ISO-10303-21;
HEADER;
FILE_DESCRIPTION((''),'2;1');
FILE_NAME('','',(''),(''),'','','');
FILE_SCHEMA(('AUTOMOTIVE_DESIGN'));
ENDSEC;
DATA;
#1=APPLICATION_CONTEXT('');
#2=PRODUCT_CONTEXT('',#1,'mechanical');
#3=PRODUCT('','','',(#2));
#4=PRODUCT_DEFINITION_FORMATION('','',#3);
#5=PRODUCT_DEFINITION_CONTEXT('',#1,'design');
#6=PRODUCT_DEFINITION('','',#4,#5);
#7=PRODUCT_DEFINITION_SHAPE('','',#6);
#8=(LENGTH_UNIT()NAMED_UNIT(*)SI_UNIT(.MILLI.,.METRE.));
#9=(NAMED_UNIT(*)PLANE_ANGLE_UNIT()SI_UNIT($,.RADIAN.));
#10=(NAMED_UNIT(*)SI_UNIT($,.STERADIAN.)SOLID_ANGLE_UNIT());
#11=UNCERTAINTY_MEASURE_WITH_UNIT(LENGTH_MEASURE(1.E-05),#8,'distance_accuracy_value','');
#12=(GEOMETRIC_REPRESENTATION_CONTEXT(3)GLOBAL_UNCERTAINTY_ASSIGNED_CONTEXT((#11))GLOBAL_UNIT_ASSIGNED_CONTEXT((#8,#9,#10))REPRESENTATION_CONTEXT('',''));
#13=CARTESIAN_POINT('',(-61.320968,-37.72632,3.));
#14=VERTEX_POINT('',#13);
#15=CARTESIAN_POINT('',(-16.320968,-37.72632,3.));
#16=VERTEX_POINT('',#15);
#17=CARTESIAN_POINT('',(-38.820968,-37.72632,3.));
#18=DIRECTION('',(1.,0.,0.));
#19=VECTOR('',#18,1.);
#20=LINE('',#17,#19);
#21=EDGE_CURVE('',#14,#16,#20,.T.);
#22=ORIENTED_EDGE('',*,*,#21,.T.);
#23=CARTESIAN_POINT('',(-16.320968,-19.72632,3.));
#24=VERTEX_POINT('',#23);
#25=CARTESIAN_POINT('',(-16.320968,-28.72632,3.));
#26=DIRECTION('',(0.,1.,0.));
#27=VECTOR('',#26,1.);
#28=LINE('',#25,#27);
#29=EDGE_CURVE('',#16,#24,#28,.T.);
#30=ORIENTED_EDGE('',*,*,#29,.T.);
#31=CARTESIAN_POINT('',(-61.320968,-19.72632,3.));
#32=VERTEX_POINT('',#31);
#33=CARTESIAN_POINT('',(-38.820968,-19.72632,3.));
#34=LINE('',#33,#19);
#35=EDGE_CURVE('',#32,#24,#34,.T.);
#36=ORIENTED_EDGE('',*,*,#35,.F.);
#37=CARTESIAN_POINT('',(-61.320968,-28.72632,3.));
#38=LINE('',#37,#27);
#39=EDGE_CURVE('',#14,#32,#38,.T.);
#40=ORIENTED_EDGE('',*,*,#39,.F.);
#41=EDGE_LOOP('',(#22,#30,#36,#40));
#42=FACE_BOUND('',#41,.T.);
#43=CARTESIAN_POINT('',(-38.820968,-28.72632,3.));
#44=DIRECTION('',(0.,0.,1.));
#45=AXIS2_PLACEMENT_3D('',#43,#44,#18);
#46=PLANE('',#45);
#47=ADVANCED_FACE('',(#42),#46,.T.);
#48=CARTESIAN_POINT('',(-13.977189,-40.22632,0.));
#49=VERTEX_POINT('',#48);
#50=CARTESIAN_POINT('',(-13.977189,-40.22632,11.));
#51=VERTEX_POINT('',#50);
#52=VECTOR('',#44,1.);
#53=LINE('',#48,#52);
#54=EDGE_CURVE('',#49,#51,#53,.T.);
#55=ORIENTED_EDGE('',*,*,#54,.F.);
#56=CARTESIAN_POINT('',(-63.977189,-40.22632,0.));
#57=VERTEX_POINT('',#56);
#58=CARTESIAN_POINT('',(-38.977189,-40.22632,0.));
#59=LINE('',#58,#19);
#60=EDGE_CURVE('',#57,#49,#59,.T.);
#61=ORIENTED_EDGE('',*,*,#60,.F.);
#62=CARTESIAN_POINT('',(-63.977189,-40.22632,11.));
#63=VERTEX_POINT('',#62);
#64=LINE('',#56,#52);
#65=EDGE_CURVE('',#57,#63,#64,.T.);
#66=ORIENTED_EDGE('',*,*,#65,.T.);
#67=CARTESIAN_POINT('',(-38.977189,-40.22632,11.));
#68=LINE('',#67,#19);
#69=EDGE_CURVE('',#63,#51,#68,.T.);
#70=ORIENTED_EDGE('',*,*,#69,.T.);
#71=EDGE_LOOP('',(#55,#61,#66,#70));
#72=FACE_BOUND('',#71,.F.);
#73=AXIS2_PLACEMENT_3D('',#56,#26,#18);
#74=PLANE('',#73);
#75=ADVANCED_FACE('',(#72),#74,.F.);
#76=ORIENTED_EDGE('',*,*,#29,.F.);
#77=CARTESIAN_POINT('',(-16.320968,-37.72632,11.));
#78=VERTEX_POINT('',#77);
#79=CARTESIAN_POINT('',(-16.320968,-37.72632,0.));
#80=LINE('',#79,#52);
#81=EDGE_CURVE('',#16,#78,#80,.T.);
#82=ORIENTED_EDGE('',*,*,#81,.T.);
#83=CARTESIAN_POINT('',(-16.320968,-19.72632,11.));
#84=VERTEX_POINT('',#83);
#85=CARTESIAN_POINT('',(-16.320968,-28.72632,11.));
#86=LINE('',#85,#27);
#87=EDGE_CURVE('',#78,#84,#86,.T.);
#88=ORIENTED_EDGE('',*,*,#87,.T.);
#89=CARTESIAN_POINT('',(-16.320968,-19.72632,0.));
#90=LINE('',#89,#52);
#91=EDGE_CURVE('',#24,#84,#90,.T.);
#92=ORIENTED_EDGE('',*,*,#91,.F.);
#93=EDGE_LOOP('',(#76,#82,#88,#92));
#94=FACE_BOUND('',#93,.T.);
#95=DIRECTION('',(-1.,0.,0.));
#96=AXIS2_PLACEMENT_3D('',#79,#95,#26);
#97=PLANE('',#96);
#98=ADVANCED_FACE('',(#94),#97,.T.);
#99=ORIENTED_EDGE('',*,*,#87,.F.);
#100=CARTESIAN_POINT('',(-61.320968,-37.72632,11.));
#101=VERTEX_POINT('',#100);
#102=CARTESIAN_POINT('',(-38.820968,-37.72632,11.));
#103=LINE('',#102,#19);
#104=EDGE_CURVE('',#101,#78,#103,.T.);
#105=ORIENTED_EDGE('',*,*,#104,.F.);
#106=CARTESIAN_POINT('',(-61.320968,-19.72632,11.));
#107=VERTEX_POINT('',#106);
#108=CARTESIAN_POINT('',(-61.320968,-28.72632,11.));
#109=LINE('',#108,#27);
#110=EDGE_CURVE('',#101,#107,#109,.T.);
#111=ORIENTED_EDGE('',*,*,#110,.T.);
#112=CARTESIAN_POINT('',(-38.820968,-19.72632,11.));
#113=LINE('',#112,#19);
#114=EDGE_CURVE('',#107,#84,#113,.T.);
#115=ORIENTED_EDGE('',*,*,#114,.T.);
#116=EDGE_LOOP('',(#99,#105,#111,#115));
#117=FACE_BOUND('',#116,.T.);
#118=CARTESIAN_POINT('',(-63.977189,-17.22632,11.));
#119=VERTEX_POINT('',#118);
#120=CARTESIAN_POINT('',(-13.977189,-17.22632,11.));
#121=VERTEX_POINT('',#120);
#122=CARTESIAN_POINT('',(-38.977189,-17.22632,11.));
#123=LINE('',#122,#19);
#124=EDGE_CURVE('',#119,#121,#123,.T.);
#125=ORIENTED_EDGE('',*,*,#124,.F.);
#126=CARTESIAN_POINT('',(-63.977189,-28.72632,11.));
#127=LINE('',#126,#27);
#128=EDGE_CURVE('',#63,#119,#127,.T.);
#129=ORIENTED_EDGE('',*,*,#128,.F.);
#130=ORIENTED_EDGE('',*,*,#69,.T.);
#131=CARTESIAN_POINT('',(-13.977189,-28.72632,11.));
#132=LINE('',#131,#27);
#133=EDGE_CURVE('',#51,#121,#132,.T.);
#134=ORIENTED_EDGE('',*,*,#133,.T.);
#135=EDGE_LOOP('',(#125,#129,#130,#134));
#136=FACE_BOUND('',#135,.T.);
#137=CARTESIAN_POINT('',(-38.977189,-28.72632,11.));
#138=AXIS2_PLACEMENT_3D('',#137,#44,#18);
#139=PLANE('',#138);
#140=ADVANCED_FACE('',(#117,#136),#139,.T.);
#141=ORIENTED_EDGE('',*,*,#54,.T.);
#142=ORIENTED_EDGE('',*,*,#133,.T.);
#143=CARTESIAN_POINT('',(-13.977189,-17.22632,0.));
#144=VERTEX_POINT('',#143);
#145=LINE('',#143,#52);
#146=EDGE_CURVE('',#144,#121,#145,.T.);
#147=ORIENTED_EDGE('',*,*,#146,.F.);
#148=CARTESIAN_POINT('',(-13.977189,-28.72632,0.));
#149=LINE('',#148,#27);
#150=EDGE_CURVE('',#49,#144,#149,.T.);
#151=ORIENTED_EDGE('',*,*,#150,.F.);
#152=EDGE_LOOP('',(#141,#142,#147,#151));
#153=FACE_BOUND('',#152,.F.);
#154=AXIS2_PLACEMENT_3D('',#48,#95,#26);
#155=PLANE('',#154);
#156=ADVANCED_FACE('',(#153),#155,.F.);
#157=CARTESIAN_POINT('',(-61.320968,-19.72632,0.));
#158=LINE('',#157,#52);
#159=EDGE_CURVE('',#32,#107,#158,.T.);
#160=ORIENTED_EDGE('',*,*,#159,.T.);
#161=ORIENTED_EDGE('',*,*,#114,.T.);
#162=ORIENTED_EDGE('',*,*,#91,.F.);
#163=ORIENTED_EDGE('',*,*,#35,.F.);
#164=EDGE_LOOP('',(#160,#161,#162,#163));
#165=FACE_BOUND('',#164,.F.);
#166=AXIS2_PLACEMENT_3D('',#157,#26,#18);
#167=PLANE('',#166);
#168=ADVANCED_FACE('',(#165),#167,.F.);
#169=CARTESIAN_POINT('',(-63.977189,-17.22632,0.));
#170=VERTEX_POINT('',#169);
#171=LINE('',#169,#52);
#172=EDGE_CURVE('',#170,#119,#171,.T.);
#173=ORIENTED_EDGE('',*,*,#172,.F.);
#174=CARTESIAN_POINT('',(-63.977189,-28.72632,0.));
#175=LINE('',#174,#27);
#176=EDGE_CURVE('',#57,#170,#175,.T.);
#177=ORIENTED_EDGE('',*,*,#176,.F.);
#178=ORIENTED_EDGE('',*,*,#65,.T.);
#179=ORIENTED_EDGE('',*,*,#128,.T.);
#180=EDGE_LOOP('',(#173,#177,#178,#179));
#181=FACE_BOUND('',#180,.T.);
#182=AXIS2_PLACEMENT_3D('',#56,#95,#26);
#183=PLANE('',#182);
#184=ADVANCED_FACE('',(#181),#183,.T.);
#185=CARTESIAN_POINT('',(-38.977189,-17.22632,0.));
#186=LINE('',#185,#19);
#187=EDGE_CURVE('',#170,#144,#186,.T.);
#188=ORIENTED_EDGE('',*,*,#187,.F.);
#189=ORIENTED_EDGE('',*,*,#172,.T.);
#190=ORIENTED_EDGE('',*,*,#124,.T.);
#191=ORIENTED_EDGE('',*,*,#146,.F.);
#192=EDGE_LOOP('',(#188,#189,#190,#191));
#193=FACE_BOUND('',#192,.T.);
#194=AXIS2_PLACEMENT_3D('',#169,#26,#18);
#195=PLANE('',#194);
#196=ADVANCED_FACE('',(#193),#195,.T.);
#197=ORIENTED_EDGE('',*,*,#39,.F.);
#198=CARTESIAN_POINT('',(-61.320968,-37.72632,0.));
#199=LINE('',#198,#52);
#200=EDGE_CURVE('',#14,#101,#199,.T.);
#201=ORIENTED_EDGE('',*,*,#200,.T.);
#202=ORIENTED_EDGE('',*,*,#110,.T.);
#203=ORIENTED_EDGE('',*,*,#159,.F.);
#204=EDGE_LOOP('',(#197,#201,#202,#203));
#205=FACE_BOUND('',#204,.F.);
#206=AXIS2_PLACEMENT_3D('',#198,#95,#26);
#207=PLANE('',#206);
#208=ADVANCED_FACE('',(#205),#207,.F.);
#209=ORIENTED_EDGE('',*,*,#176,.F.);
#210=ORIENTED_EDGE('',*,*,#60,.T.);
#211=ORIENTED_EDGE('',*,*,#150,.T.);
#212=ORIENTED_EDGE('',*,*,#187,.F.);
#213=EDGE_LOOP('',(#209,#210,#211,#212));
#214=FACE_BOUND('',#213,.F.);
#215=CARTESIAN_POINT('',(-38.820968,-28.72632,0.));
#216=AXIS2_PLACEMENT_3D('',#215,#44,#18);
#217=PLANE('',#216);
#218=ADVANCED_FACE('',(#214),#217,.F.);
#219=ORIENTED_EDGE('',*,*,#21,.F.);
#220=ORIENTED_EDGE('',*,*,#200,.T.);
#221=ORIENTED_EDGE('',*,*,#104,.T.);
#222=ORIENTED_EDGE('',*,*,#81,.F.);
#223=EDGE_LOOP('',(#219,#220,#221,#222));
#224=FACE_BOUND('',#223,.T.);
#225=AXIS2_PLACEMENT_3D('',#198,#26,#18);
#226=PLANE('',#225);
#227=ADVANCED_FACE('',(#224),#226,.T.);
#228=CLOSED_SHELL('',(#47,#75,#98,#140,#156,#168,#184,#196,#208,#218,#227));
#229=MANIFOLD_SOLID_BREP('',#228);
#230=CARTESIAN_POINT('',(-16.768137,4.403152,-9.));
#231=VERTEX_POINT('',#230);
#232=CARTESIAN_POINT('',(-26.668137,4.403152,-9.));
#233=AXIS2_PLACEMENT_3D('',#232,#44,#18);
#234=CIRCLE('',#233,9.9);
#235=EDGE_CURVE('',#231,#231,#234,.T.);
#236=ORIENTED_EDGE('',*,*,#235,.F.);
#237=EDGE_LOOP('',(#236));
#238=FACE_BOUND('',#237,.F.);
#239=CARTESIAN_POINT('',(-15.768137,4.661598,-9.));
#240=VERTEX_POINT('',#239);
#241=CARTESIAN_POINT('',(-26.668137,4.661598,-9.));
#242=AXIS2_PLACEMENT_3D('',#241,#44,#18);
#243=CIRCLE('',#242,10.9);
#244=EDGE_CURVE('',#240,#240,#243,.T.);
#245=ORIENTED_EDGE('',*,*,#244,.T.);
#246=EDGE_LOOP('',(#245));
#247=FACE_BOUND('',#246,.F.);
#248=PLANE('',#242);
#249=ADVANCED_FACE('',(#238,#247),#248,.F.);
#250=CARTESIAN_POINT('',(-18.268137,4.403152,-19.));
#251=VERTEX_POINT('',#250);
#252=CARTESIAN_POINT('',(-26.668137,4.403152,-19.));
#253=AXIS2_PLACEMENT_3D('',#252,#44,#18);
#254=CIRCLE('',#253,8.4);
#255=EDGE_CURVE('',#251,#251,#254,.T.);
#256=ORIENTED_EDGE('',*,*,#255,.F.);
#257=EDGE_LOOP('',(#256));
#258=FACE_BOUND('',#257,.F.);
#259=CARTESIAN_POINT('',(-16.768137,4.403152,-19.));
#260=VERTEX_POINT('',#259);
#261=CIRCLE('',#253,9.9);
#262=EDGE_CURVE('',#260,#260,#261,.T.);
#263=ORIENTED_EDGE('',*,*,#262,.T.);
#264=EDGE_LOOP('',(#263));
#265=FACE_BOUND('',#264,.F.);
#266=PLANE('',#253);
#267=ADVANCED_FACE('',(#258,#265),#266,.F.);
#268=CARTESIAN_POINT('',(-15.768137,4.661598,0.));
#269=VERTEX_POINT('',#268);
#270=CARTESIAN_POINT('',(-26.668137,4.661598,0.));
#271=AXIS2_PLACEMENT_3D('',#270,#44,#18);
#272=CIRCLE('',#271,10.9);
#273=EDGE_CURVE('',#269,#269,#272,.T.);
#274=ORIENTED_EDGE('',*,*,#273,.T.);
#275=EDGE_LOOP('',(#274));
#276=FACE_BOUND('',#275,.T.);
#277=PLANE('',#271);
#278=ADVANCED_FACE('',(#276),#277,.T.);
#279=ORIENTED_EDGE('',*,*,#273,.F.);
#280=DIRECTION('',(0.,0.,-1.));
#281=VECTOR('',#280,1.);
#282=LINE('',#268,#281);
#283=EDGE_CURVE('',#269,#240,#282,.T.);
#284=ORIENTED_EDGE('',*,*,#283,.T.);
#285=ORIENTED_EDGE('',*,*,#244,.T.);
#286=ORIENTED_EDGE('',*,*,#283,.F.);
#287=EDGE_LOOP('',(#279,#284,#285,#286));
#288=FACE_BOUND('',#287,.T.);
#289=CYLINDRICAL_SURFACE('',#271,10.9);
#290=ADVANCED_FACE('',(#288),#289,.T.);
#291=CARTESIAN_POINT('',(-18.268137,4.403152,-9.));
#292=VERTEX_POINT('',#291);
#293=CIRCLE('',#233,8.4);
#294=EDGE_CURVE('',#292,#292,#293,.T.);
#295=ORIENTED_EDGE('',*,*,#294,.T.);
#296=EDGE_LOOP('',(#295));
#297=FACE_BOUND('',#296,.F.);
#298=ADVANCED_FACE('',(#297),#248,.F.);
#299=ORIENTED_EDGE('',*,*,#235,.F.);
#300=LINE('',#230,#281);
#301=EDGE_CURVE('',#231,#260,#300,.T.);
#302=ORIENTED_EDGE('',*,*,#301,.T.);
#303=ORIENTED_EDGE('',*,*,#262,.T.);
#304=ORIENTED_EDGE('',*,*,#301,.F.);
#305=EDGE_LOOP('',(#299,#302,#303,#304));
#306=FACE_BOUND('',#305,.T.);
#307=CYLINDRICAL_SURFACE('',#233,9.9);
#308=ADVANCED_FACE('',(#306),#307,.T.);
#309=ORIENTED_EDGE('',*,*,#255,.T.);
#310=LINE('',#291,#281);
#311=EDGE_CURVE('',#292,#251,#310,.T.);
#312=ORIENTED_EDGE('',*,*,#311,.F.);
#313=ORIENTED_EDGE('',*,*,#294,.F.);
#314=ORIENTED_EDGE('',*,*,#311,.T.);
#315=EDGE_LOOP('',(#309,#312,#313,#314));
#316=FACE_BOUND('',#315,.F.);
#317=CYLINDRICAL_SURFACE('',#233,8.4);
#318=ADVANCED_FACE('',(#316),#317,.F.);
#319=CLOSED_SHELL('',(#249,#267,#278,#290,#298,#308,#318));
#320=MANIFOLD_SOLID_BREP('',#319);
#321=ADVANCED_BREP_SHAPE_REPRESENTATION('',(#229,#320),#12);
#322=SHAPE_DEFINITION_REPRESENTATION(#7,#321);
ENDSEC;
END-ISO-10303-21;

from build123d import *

# Parameters (mm, degrees)
F0_R      = 10.9
F2_R      = 1
F4_DEPTH  = 9
F6_R      = 9.9
F6_R_2    = 8.4
F7_DEPTH  = 10
F0_W      = 50
F0_H      = 23
F0_W_2    = 45
F0_H_2    = 18
F9_DEPTH  = 11
F10_DEPTH = 3


with BuildPart() as f3:
    # F0 (on Top) → F3 section 0
    with BuildSketch(Plane.XY):
        with Locations((-26.668137, 4.661598)):
            Circle(F0_R)
    # F2 (on offset) → F3 section 1
    with BuildSketch(Plane.XY.offset(-2)):
        with Locations((-26.668137, 4.342747)):
            Circle(F2_R)
    loft()

    # F0 (on Top) → F4 (join)
    with BuildSketch(Plane.XY):
        with Locations((-26.668137, 4.661598)):
            Circle(F0_R)
    extrude(amount=-F4_DEPTH)

    # F6 (on offset) → F7 (join)
    with BuildSketch(Plane.XY.offset(-9)):
        with Locations((-26.668137, 4.403152)):
            Circle(F6_R)
        with Locations((-26.668137, 4.403152)):
            Circle(F6_R_2, mode=Mode.SUBTRACT)
    extrude(amount=-F7_DEPTH)


with BuildPart() as f9:
    # F0 (on Top) → F9 (new body)
    with BuildSketch(Plane.XY):
        with Locations((-38.977189, -28.72632)):
            Rectangle(F0_W, F0_H)
        with Locations((-38.820968, -28.72632)):
            Rectangle(F0_W_2, F0_H_2, mode=Mode.SUBTRACT)
    extrude(amount=F9_DEPTH)

    # F0 (on Top) → F10 (join)
    with BuildSketch(Plane.XY):
        with Locations((-38.820968, -28.72632)):
            Rectangle(F0_W_2, F0_H_2)
    extrude(amount=F10_DEPTH)


solid = Compound([f3.part, f9.part])
